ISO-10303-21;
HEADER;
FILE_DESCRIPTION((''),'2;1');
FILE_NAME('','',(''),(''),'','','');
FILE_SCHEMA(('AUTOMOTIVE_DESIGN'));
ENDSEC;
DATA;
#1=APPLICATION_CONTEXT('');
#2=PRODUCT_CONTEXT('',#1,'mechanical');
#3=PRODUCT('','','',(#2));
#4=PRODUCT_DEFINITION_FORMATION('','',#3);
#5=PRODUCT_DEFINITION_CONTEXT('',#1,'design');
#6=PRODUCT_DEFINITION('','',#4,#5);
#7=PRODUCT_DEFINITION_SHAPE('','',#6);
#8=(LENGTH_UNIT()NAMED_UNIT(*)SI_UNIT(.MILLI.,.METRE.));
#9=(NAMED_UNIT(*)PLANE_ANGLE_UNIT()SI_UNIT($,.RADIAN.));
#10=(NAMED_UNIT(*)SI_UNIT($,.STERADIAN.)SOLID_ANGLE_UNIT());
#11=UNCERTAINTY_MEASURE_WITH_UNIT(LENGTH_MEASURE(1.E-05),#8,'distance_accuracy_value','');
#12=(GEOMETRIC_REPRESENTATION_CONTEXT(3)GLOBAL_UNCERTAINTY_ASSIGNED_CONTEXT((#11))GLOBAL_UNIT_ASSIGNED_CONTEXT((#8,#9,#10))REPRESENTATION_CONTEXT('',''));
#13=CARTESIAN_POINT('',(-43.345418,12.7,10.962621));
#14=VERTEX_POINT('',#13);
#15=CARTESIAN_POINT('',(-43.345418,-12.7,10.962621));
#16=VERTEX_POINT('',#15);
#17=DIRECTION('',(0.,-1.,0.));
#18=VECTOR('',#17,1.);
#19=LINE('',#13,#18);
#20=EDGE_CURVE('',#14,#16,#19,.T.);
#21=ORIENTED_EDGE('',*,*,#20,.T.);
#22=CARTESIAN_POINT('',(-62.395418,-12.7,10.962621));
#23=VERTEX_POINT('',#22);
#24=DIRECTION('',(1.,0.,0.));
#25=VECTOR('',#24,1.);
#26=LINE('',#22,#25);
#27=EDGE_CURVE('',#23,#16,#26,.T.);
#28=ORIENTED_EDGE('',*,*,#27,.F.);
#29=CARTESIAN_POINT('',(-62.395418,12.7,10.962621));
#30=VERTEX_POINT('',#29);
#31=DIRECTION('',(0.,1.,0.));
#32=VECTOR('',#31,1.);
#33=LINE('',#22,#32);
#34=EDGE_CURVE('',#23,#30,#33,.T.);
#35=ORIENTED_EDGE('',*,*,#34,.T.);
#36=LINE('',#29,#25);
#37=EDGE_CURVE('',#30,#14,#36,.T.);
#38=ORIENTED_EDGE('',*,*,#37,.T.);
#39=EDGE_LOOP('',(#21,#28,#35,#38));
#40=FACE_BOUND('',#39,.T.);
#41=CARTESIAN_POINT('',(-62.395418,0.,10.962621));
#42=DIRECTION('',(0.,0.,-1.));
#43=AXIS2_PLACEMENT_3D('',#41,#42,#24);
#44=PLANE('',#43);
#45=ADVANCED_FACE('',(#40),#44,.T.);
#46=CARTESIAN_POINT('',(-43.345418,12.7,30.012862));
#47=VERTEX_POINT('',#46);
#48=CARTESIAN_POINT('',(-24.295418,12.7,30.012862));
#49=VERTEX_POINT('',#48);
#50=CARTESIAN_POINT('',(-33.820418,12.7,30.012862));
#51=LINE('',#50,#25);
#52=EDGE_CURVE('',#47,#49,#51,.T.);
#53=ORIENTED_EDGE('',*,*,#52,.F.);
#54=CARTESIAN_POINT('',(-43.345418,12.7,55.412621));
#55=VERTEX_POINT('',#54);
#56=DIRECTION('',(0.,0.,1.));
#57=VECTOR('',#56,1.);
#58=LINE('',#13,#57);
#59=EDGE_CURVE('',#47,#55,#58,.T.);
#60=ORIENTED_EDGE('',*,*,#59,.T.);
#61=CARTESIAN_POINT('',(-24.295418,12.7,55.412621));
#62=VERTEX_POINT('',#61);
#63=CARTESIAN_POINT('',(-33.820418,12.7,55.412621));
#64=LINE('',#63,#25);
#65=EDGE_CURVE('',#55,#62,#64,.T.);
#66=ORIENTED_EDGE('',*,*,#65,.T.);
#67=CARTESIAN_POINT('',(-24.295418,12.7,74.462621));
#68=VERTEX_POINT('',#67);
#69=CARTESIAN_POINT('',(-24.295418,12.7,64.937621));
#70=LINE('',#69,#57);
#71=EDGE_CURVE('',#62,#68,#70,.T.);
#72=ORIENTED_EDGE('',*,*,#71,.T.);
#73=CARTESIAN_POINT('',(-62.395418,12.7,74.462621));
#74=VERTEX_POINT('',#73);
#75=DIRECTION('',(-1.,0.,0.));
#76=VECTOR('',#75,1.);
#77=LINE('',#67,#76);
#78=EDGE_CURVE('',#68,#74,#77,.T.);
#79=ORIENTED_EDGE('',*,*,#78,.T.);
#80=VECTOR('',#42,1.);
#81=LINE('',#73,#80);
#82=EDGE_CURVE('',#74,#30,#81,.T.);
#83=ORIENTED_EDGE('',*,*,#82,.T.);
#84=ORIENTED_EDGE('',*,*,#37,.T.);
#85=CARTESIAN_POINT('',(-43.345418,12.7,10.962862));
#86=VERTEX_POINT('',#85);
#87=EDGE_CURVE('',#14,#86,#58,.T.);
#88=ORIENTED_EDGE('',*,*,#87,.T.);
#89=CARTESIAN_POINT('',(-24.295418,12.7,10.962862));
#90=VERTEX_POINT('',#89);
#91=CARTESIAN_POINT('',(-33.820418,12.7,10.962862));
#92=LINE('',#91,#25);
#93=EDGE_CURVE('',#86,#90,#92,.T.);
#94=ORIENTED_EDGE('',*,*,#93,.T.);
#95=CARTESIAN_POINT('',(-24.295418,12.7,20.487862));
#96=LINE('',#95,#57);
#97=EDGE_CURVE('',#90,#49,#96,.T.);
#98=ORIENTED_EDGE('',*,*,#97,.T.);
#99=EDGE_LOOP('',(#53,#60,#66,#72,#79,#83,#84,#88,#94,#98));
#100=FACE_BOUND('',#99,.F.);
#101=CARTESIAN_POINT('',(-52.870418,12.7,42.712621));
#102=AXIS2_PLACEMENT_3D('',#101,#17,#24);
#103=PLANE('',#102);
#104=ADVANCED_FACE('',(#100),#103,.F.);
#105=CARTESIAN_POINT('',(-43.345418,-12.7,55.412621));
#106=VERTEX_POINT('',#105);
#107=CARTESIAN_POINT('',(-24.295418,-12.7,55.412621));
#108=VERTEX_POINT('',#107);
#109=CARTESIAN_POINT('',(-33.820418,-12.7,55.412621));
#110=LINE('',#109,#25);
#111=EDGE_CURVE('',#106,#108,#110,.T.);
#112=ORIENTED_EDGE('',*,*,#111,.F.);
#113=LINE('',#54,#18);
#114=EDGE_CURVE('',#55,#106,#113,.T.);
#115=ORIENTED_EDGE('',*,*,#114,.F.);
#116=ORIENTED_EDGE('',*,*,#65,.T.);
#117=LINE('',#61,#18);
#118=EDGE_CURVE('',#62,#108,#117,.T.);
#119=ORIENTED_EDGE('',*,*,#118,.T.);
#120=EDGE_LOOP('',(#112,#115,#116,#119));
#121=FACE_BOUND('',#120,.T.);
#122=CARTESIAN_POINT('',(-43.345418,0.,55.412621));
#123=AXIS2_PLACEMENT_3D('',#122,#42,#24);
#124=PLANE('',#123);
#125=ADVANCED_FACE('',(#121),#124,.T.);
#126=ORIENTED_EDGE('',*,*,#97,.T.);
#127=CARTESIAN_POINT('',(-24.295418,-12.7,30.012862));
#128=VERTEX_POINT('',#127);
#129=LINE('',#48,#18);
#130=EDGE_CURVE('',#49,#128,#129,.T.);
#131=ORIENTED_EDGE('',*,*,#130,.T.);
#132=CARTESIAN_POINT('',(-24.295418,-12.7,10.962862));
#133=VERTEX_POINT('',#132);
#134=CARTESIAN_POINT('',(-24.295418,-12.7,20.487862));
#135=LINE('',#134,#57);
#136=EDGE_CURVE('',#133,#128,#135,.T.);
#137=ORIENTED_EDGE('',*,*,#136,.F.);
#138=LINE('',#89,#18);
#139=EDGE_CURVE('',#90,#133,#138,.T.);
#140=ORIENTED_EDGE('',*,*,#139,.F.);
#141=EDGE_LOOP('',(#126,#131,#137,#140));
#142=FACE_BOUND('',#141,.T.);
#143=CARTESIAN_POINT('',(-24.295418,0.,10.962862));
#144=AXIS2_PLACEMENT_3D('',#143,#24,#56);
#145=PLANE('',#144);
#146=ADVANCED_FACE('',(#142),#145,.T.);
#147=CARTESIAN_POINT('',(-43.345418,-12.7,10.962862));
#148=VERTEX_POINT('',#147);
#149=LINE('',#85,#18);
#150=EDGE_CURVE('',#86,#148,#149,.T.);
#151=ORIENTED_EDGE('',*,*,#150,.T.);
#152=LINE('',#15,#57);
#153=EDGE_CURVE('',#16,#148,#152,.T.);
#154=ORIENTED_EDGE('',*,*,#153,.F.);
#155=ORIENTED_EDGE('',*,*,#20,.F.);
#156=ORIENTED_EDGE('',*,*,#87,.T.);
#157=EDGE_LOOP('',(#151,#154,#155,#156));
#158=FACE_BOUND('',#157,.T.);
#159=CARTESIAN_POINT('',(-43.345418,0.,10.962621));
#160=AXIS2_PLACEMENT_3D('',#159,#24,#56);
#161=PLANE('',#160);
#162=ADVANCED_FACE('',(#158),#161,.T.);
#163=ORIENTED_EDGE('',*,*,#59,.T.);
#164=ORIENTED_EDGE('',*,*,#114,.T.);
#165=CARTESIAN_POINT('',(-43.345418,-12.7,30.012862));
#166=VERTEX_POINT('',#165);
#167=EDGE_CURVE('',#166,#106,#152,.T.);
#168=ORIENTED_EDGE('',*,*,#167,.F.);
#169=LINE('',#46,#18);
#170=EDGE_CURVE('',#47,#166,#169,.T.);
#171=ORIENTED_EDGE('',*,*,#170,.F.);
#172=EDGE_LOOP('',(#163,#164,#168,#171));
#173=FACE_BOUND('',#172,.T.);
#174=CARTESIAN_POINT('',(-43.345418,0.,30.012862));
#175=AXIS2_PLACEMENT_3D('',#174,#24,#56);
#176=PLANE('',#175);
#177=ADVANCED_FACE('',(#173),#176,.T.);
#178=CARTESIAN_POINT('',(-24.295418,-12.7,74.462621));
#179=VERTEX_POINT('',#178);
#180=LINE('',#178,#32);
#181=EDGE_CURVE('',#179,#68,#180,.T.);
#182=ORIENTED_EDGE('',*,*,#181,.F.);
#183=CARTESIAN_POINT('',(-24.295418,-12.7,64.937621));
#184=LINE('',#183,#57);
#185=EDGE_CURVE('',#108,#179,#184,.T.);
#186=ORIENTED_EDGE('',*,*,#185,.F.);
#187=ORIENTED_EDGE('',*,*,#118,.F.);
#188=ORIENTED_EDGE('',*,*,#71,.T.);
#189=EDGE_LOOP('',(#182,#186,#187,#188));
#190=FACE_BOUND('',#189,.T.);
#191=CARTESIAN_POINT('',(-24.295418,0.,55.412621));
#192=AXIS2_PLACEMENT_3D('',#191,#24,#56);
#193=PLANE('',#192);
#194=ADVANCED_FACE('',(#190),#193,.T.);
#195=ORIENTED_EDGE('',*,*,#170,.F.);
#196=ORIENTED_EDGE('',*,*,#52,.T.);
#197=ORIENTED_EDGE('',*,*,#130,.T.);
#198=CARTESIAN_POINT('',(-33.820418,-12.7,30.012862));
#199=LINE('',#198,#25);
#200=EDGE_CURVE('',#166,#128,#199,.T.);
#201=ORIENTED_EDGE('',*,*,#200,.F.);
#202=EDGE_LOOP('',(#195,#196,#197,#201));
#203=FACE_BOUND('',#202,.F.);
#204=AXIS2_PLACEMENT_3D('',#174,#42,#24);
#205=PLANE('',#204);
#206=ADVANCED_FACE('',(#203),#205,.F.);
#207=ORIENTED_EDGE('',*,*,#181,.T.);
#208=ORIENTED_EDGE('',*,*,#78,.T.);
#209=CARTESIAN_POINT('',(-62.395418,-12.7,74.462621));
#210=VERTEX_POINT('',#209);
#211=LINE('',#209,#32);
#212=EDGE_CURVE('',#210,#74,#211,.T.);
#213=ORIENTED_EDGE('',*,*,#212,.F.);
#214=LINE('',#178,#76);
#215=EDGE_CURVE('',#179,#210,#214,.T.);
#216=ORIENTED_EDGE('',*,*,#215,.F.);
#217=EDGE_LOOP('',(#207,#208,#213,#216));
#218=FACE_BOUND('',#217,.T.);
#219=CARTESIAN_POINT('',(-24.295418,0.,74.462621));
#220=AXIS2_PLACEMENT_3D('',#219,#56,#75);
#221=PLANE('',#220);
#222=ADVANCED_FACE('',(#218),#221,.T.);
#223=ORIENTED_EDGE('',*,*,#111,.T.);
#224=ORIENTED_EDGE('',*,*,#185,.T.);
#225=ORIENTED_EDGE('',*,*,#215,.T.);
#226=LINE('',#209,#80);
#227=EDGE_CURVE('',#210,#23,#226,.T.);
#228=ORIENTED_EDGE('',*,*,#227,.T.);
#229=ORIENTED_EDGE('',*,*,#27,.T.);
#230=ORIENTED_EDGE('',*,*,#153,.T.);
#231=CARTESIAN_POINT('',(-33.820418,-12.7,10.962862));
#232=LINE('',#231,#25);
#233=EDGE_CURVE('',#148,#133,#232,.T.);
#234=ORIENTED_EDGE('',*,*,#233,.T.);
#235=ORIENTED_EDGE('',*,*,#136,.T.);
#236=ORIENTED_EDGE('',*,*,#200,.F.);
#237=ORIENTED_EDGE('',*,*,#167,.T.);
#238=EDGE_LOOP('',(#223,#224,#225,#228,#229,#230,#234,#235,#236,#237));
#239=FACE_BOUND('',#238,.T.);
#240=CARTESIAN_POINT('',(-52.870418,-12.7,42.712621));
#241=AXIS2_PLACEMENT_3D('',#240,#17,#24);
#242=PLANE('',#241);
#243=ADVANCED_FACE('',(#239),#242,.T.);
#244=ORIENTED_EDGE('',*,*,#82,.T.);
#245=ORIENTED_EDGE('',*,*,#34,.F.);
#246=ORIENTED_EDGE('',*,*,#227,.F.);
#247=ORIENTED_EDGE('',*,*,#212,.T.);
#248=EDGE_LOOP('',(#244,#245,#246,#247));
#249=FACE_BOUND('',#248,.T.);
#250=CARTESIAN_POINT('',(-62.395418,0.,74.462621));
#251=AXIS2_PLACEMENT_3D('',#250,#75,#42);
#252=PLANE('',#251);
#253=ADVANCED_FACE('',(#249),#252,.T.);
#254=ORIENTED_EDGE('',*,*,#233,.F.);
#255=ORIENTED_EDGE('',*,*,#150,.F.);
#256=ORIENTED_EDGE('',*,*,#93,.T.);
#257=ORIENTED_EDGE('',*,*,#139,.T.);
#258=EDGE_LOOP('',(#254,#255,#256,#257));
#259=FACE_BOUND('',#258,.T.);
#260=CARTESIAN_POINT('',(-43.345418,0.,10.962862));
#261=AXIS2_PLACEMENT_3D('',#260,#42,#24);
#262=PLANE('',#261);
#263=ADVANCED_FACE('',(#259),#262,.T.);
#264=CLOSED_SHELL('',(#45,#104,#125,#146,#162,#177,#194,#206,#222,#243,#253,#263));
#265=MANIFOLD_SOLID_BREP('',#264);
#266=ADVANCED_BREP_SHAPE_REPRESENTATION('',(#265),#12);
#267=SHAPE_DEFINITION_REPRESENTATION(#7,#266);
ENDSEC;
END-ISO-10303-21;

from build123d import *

# Parameters (mm, degrees)
F0_W     = 19.05
F0_H     = 19.05
F1_DEPTH = 12.7


with BuildPart() as f1:
    # F0 (on Front) → F1 (new body, symmetric)
    with BuildSketch(Plane.XZ):
        Polygon((-62.395418, 10.962621), (-43.345418, 10.962621), (-43.345418, 10.962862), (-43.345418, 30.012862), (-43.345418, 55.412621), (-43.345418, 74.462621), (-62.395418, 74.462621), align=None)
        with Locations((-33.820418, 20.487862)):
            Rectangle(F0_W, F0_H)
        with Locations((-33.820418, 64.937621)):
            Rectangle(F0_W, F0_H)
    extrude(amount=F1_DEPTH, both=True)


solid = f1.part
